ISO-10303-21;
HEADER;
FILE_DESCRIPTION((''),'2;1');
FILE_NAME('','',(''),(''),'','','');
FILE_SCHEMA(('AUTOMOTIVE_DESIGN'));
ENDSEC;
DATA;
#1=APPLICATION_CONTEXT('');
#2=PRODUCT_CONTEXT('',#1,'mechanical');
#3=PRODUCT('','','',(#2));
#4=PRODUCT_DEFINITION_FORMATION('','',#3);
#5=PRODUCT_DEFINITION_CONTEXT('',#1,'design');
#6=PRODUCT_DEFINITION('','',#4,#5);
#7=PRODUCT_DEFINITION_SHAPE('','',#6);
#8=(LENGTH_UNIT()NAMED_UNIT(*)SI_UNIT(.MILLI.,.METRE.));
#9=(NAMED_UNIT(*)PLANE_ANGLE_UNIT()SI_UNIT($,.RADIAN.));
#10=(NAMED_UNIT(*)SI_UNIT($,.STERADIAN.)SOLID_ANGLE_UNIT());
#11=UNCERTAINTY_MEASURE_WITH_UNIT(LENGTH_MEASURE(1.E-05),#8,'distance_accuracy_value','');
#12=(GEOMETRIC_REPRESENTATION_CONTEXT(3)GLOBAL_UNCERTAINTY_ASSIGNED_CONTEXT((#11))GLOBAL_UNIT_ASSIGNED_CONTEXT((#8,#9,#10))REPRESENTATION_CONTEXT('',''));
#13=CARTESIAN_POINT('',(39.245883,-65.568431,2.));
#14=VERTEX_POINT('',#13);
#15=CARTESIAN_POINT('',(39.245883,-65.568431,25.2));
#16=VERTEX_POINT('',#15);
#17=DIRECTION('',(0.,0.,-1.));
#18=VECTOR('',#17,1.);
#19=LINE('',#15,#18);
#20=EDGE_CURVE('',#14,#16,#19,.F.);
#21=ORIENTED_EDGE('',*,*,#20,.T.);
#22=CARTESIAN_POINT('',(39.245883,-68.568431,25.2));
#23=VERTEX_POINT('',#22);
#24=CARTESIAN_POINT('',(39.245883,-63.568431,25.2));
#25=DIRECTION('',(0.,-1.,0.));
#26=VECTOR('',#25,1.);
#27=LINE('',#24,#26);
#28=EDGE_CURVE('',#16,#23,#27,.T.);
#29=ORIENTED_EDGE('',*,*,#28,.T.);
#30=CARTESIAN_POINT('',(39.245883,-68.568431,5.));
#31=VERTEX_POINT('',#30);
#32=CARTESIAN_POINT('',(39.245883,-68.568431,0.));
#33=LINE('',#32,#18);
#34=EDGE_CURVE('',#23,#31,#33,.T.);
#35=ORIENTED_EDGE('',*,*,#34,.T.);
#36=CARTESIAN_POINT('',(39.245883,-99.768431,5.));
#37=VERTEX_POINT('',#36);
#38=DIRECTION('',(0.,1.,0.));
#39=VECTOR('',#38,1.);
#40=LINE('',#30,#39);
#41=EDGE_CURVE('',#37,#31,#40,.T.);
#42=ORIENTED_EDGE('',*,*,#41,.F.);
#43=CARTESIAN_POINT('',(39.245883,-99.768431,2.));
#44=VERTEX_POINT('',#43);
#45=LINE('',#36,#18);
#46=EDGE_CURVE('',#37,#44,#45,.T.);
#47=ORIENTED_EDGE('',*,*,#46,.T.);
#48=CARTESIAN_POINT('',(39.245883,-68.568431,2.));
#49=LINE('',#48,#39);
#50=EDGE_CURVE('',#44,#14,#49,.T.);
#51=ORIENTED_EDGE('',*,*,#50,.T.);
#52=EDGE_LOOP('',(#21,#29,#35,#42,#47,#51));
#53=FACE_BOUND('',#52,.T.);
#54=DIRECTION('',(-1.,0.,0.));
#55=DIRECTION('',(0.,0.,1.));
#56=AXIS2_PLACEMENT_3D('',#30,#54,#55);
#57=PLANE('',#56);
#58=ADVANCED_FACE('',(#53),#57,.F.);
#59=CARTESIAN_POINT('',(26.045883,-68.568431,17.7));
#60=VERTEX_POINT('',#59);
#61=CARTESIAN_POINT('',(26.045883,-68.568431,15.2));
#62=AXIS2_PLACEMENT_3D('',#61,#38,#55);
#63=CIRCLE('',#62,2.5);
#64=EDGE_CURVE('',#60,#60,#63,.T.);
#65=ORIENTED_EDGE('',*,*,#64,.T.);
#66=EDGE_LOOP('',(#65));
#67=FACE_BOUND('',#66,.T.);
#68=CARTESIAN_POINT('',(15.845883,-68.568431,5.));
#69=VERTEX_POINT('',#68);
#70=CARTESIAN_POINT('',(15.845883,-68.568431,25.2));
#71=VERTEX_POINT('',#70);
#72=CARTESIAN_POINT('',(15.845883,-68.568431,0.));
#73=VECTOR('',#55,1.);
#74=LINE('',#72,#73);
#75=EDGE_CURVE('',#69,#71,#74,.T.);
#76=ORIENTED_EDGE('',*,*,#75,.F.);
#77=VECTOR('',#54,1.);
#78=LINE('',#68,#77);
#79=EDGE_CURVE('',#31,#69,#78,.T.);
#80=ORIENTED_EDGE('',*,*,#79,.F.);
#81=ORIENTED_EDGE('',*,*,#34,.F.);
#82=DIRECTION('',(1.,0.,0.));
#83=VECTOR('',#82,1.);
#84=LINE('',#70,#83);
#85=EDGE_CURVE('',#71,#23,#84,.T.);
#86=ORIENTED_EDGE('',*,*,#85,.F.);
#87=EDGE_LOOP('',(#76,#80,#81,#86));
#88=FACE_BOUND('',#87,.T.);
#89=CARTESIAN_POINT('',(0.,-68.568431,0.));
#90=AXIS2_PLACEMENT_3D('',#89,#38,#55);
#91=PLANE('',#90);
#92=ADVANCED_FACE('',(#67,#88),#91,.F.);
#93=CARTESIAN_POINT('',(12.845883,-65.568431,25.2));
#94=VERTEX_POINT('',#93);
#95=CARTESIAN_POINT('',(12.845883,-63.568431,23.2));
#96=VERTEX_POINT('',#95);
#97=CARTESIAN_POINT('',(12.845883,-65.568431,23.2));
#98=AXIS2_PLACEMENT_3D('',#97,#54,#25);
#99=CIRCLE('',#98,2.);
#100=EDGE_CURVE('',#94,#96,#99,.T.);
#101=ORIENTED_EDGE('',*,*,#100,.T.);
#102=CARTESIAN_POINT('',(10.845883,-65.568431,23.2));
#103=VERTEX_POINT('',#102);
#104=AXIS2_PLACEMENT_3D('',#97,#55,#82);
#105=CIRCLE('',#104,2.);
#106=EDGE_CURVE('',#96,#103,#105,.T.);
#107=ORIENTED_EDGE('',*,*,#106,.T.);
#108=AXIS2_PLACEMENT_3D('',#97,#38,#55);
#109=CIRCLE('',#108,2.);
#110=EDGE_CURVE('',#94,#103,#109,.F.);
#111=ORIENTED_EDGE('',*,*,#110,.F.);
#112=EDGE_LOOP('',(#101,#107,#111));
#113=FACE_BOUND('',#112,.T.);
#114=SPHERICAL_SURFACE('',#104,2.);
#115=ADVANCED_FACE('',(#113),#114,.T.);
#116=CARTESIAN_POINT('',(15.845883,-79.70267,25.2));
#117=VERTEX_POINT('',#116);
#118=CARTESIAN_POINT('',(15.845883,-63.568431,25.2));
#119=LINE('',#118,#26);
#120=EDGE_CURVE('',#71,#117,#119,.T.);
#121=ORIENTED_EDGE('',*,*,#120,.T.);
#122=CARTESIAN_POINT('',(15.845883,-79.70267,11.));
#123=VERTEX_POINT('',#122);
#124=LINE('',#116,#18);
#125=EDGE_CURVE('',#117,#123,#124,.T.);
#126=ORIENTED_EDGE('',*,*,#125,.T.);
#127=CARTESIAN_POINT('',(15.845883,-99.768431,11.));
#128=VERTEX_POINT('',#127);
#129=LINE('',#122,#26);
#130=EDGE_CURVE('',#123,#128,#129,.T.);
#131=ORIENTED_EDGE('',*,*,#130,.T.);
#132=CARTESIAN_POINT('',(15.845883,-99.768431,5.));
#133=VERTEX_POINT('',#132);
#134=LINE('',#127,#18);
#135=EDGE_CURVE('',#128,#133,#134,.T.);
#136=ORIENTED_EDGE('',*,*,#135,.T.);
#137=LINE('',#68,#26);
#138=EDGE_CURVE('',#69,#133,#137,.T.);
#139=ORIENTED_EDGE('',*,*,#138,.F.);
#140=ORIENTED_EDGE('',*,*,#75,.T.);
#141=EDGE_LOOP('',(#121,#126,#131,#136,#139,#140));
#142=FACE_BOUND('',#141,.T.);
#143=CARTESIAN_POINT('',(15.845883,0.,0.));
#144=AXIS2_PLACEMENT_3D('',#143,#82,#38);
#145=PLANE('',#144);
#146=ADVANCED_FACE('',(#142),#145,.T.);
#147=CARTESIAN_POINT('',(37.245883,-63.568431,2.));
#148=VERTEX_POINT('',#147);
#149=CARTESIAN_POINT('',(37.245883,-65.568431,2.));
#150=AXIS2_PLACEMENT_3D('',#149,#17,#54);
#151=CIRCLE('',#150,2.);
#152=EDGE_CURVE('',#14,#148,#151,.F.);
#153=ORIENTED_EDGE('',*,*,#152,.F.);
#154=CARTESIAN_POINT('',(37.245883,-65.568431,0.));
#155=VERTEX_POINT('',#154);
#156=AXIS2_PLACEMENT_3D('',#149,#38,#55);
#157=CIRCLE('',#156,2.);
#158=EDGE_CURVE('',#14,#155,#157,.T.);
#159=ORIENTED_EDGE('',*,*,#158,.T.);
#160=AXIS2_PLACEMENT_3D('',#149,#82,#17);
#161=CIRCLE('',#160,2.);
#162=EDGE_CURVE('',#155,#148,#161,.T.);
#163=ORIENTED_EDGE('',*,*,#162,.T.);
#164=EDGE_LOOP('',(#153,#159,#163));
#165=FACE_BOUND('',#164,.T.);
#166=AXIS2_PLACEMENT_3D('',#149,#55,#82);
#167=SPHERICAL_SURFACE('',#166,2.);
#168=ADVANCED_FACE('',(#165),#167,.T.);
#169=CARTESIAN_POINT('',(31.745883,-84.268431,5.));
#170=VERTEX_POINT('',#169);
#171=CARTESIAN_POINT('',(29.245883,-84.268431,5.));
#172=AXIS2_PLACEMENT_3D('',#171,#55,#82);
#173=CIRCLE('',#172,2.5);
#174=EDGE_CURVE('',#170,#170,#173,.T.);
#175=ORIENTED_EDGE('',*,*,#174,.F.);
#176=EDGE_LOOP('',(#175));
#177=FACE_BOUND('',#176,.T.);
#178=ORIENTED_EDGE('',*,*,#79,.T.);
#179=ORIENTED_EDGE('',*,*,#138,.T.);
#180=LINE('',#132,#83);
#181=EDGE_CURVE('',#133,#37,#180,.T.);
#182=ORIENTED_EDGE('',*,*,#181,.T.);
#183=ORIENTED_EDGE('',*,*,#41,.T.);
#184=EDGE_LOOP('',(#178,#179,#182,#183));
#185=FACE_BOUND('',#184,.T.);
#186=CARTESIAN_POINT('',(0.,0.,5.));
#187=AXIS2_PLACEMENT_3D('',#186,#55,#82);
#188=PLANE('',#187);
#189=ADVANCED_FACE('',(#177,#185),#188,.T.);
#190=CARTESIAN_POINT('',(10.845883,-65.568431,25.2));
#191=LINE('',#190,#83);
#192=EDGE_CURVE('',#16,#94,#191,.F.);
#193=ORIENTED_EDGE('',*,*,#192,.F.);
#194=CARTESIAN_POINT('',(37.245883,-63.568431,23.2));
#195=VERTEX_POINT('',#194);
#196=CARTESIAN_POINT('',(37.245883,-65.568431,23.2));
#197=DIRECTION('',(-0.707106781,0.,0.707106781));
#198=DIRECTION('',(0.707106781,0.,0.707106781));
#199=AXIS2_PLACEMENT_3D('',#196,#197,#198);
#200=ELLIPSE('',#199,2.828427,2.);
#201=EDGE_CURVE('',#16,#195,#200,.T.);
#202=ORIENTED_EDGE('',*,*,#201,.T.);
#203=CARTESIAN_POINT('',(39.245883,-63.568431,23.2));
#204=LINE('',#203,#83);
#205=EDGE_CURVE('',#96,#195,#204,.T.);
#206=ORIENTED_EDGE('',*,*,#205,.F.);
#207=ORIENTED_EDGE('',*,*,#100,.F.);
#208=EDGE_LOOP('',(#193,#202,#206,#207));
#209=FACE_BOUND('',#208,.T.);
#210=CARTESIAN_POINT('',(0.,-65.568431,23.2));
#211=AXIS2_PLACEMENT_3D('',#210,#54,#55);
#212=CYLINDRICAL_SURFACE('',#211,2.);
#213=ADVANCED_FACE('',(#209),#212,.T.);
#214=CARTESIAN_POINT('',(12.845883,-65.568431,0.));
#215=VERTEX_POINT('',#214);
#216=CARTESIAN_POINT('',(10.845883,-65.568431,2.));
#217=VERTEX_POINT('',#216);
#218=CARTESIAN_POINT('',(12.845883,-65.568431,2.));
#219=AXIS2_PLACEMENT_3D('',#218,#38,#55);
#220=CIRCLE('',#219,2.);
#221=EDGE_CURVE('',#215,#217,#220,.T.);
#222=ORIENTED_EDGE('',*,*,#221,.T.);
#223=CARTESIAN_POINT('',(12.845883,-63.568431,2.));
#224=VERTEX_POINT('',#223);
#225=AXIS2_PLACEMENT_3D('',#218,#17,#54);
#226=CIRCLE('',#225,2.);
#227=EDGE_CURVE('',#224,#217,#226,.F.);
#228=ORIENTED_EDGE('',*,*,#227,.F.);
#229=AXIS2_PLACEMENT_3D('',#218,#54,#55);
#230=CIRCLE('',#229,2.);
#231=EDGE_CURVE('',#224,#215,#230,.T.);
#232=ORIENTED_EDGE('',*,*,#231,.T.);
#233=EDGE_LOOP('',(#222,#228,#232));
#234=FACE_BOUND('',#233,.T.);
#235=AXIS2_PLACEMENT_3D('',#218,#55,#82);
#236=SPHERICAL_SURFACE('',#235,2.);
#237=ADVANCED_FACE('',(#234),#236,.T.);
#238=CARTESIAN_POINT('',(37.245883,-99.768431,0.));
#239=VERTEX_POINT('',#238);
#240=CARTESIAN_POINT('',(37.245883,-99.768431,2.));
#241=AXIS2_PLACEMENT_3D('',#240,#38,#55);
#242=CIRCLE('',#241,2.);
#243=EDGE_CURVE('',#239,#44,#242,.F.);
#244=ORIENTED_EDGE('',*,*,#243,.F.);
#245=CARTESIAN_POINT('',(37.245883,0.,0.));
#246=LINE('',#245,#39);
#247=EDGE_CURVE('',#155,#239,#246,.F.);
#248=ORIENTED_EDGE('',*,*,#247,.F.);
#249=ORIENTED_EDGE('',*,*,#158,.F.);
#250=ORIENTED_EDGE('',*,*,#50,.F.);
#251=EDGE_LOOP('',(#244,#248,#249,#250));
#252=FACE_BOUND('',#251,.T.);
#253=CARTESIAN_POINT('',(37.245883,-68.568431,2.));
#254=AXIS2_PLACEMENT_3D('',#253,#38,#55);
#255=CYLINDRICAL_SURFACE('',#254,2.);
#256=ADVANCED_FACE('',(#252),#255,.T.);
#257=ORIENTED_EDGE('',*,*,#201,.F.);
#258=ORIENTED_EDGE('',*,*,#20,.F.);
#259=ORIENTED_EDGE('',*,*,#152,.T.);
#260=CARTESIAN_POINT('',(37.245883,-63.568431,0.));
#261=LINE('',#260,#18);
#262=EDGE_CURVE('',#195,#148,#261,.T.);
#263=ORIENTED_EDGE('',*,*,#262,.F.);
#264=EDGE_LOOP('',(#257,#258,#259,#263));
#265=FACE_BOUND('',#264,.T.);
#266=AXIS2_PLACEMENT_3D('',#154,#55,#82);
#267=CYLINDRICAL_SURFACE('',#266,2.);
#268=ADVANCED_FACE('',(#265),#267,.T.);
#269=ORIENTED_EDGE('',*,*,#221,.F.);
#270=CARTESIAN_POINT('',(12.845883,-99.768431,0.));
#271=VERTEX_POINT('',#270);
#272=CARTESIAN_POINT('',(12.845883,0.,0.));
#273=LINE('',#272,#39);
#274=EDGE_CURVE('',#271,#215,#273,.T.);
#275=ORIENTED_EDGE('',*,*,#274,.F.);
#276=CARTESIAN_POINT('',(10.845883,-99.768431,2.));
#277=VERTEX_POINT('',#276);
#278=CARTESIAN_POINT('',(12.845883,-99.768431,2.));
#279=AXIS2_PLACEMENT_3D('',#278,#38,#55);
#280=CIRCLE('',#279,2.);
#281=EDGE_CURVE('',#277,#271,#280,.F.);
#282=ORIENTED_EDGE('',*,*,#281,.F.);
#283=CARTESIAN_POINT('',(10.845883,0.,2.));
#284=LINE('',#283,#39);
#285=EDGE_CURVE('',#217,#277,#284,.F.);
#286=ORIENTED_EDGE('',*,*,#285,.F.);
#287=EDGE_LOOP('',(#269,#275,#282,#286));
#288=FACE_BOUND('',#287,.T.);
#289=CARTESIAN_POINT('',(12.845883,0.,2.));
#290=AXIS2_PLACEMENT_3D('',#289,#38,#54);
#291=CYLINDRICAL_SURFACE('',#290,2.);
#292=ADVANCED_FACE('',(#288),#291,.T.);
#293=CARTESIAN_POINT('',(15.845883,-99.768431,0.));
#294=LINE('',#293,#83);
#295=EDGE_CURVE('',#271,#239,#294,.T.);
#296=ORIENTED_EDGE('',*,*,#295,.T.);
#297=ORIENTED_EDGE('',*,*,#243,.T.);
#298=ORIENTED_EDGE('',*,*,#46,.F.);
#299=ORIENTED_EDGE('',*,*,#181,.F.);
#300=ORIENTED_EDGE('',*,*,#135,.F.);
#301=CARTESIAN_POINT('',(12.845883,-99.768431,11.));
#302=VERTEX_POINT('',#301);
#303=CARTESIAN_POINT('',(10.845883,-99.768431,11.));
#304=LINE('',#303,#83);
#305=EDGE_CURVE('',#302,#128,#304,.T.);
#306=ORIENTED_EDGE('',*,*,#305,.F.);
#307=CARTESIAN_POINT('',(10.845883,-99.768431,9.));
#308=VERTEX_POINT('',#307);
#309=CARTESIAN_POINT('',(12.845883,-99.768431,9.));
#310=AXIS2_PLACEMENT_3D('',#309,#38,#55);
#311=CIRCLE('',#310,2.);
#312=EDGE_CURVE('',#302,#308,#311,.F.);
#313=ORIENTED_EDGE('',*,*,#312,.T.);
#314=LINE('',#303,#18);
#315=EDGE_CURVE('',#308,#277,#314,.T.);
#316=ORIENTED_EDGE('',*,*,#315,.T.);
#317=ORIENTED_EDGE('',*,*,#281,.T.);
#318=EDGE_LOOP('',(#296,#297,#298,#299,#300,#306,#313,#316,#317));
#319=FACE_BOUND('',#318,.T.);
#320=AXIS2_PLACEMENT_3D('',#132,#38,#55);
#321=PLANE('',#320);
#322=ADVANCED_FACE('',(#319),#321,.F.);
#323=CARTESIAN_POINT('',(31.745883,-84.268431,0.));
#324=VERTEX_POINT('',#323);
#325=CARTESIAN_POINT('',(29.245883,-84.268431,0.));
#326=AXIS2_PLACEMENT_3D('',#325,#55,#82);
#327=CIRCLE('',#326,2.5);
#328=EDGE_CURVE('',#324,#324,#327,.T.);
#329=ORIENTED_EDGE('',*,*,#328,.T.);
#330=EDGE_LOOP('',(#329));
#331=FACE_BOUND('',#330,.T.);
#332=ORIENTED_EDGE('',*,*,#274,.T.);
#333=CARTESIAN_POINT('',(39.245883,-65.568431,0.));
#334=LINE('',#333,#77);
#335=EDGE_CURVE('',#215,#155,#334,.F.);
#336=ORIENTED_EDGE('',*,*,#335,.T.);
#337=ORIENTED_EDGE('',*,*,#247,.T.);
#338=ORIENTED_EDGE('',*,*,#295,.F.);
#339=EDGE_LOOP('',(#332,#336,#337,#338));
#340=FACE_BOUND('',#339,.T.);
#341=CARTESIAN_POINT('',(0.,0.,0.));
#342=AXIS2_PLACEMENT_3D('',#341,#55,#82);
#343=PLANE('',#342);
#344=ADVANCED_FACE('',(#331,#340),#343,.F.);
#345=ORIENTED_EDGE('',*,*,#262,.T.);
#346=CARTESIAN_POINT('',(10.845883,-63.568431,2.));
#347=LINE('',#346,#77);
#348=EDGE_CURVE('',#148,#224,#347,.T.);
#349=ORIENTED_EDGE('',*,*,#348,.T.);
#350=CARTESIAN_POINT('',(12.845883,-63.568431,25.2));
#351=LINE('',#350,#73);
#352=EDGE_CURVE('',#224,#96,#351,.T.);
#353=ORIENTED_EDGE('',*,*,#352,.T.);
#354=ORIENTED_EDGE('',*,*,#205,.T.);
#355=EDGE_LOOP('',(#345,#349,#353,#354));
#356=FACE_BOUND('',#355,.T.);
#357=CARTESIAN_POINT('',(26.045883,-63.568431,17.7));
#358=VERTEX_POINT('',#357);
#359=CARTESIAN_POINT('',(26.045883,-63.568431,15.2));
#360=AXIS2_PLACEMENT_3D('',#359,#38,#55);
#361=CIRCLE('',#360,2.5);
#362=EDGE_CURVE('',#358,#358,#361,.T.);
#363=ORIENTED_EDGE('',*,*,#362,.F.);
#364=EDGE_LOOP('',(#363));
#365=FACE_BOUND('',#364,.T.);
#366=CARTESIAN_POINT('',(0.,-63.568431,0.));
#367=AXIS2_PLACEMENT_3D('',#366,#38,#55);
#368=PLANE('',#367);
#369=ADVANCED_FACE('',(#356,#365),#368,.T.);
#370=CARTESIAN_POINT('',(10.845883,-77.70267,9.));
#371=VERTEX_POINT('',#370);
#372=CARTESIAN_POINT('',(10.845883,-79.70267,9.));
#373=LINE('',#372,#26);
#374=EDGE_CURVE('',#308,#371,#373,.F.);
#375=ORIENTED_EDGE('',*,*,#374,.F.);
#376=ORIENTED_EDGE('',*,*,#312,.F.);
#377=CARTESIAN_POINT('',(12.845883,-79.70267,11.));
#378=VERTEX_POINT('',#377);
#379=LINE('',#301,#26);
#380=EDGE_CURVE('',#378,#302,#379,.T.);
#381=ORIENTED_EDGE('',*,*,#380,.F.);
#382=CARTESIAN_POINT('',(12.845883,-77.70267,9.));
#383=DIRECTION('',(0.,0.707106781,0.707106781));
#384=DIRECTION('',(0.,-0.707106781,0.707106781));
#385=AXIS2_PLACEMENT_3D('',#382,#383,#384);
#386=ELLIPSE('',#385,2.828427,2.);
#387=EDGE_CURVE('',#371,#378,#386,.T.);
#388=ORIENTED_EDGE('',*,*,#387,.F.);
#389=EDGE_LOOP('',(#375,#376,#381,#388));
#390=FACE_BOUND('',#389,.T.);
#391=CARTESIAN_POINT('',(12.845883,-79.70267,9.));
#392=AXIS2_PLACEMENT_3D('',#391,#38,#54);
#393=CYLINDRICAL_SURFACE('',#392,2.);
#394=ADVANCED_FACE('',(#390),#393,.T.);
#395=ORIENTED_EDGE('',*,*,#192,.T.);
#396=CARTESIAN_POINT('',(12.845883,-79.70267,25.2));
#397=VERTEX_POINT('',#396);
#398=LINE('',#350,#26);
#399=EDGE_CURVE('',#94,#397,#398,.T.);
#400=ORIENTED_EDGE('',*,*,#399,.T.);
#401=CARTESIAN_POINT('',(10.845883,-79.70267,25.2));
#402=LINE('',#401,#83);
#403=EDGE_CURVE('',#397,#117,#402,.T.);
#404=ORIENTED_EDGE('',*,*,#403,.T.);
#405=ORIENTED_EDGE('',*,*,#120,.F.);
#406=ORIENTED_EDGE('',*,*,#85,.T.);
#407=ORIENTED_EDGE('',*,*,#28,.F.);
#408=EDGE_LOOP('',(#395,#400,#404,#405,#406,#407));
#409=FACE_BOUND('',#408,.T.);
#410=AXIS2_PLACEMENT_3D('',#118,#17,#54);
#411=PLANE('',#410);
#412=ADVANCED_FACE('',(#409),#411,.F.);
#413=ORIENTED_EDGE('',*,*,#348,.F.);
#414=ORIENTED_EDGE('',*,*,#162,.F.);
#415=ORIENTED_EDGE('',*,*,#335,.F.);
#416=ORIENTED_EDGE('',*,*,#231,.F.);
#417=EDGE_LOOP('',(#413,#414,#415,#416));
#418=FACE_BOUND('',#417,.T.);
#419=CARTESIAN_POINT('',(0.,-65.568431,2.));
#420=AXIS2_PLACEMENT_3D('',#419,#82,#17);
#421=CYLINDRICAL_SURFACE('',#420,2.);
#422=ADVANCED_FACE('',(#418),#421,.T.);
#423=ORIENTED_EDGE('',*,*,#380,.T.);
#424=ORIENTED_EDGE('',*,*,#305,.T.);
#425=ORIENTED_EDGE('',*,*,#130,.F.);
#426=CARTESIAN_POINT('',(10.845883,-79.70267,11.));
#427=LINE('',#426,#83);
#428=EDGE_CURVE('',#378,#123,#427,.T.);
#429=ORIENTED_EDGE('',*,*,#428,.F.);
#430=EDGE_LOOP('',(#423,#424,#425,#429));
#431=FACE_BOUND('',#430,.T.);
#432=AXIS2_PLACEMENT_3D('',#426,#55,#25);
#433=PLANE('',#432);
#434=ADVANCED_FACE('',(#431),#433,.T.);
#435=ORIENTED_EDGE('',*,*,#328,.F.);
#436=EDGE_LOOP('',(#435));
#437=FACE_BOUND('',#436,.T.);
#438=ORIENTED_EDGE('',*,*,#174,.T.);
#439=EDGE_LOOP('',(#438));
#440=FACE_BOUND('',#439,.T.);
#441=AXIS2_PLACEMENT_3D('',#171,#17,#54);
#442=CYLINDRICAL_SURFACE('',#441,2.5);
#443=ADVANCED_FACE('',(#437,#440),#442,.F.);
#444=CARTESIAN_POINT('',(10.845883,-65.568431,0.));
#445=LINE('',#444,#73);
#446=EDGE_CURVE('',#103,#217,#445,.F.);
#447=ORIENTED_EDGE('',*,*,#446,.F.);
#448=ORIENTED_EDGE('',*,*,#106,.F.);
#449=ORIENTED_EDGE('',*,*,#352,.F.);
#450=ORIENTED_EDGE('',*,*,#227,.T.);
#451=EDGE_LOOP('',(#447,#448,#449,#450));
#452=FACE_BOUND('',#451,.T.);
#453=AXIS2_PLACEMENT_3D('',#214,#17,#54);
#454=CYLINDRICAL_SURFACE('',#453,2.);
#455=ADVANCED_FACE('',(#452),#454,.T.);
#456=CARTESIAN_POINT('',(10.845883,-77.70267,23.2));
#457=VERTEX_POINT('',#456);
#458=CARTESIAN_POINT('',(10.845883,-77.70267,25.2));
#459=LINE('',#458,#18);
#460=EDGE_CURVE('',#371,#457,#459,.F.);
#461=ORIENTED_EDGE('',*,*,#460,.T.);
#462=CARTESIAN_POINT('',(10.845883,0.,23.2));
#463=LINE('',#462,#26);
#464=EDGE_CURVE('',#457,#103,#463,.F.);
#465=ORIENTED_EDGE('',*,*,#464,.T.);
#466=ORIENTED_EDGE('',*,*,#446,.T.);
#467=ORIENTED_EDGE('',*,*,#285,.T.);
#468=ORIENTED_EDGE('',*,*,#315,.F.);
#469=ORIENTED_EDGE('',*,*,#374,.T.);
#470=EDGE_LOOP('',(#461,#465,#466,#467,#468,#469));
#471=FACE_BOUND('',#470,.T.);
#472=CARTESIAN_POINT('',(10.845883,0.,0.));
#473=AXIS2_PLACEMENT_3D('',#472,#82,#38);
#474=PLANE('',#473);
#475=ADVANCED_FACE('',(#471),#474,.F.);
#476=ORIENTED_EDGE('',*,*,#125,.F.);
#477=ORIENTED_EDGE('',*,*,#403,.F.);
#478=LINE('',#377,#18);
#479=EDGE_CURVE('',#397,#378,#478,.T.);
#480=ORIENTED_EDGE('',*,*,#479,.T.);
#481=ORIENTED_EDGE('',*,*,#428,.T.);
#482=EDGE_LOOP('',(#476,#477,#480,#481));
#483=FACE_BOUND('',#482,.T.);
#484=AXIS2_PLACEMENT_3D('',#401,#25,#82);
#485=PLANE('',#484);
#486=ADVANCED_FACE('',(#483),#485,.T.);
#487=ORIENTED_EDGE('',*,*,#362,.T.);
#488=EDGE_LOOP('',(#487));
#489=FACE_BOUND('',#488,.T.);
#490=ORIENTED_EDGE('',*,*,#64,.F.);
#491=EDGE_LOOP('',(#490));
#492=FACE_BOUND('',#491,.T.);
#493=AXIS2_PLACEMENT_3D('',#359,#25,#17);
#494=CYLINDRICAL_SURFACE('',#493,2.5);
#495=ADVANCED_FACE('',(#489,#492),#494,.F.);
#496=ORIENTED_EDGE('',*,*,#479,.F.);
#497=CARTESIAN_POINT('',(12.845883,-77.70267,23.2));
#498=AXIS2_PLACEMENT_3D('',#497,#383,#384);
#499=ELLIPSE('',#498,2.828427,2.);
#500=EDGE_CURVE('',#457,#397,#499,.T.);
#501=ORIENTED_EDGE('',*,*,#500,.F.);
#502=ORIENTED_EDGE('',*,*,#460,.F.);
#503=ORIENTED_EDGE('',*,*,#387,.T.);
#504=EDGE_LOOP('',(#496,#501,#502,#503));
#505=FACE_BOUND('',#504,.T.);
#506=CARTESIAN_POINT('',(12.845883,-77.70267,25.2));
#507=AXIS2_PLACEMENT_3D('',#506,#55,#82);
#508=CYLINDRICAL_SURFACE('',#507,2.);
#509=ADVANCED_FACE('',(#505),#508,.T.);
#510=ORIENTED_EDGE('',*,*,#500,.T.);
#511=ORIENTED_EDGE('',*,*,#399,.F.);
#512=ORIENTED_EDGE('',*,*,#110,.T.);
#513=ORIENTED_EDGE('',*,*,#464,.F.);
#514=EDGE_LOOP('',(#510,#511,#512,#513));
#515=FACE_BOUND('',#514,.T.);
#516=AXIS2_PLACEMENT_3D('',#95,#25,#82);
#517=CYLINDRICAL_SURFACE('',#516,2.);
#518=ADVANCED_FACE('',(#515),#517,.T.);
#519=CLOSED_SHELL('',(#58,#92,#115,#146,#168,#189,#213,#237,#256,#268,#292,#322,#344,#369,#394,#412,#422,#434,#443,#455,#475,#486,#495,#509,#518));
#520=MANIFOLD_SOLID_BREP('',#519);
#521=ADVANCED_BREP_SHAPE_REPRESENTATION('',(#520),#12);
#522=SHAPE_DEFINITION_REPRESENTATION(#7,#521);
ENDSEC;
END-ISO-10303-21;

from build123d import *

# Parameters (mm, degrees)
ESQUISSE1_W        = 23.4
ESQUISSE1_H        = 31.2
ESQUISSE1_R        = 2.5
BOSS_EXTRU_1_DEPTH = 5
ESQUISSE3_W        = 23.4
ESQUISSE3_H        = 25.2
ESQUISSE3_R        = 2.5
BOSS_EXTRU_3_DEPTH = 5
BOSS_EXTRU_2_DEPTH = 5
CONG_1_R           = 2


with BuildPart() as part:
    # Esquisse1 → Boss.-Extru.1 (new body)
    with BuildSketch(Plane.XY):
        with Locations((27.545883061, -84.168430722)):
            Rectangle(ESQUISSE1_W, ESQUISSE1_H)
        with Locations((29.245883061, -84.268430722)):
            Circle(ESQUISSE1_R, mode=Mode.SUBTRACT)
    extrude(amount=BOSS_EXTRU_1_DEPTH)

    # Esquisse3 → Boss.-Extru.3 (add)
    with BuildSketch(Plane(origin=(0, -68.568430722, 0), x_dir=(1, 0, 0), z_dir=(0, 1, 0))):
        with Locations((27.545883061, -12.6)):
            Rectangle(ESQUISSE3_W, ESQUISSE3_H)
        with Locations(Location((26.045883061, -15.2, 0), (0, 0, 270))):
            Circle(ESQUISSE3_R, mode=Mode.SUBTRACT)
    extrude(amount=BOSS_EXTRU_3_DEPTH)

    # Esquisse2 → Boss.-Extru.2 (add)
    with BuildSketch(Plane(origin=(15.845883061, 0, 12.450490199), x_dir=(0, 0, -1), z_dir=(1, 0, 0))):
        Polygon((12.450490199, -99.768430722), (12.450490199, -63.568430722), (-12.749509801, -63.568430722), (-12.749509801, -79.702669736), (1.450490199, -79.702669736), (1.450490199, -99.768430722), align=None)
    extrude(amount=-BOSS_EXTRU_2_DEPTH)

    # Congé1
    cong_1_edges = [part.edges().sort_by_distance(p)[0] for p in [
        (25.045883061, -63.568430722, 25.2),
        (39.245883061, -63.568430722, 12.6),
        (25.045883061, -63.568430722, 0),
        (10.845883061, -89.735550229, 11),
        (10.845883061, -79.702669736, 18.1),
        (10.845883061, -71.635550229, 25.2),
        (10.845883061, -63.568430722, 12.6),
        (10.845883061, -81.668430722, 0),
        (39.245883061, -81.668430722, 0),
    ]]
    fillet(cong_1_edges, radius=CONG_1_R)


solid = part.part
